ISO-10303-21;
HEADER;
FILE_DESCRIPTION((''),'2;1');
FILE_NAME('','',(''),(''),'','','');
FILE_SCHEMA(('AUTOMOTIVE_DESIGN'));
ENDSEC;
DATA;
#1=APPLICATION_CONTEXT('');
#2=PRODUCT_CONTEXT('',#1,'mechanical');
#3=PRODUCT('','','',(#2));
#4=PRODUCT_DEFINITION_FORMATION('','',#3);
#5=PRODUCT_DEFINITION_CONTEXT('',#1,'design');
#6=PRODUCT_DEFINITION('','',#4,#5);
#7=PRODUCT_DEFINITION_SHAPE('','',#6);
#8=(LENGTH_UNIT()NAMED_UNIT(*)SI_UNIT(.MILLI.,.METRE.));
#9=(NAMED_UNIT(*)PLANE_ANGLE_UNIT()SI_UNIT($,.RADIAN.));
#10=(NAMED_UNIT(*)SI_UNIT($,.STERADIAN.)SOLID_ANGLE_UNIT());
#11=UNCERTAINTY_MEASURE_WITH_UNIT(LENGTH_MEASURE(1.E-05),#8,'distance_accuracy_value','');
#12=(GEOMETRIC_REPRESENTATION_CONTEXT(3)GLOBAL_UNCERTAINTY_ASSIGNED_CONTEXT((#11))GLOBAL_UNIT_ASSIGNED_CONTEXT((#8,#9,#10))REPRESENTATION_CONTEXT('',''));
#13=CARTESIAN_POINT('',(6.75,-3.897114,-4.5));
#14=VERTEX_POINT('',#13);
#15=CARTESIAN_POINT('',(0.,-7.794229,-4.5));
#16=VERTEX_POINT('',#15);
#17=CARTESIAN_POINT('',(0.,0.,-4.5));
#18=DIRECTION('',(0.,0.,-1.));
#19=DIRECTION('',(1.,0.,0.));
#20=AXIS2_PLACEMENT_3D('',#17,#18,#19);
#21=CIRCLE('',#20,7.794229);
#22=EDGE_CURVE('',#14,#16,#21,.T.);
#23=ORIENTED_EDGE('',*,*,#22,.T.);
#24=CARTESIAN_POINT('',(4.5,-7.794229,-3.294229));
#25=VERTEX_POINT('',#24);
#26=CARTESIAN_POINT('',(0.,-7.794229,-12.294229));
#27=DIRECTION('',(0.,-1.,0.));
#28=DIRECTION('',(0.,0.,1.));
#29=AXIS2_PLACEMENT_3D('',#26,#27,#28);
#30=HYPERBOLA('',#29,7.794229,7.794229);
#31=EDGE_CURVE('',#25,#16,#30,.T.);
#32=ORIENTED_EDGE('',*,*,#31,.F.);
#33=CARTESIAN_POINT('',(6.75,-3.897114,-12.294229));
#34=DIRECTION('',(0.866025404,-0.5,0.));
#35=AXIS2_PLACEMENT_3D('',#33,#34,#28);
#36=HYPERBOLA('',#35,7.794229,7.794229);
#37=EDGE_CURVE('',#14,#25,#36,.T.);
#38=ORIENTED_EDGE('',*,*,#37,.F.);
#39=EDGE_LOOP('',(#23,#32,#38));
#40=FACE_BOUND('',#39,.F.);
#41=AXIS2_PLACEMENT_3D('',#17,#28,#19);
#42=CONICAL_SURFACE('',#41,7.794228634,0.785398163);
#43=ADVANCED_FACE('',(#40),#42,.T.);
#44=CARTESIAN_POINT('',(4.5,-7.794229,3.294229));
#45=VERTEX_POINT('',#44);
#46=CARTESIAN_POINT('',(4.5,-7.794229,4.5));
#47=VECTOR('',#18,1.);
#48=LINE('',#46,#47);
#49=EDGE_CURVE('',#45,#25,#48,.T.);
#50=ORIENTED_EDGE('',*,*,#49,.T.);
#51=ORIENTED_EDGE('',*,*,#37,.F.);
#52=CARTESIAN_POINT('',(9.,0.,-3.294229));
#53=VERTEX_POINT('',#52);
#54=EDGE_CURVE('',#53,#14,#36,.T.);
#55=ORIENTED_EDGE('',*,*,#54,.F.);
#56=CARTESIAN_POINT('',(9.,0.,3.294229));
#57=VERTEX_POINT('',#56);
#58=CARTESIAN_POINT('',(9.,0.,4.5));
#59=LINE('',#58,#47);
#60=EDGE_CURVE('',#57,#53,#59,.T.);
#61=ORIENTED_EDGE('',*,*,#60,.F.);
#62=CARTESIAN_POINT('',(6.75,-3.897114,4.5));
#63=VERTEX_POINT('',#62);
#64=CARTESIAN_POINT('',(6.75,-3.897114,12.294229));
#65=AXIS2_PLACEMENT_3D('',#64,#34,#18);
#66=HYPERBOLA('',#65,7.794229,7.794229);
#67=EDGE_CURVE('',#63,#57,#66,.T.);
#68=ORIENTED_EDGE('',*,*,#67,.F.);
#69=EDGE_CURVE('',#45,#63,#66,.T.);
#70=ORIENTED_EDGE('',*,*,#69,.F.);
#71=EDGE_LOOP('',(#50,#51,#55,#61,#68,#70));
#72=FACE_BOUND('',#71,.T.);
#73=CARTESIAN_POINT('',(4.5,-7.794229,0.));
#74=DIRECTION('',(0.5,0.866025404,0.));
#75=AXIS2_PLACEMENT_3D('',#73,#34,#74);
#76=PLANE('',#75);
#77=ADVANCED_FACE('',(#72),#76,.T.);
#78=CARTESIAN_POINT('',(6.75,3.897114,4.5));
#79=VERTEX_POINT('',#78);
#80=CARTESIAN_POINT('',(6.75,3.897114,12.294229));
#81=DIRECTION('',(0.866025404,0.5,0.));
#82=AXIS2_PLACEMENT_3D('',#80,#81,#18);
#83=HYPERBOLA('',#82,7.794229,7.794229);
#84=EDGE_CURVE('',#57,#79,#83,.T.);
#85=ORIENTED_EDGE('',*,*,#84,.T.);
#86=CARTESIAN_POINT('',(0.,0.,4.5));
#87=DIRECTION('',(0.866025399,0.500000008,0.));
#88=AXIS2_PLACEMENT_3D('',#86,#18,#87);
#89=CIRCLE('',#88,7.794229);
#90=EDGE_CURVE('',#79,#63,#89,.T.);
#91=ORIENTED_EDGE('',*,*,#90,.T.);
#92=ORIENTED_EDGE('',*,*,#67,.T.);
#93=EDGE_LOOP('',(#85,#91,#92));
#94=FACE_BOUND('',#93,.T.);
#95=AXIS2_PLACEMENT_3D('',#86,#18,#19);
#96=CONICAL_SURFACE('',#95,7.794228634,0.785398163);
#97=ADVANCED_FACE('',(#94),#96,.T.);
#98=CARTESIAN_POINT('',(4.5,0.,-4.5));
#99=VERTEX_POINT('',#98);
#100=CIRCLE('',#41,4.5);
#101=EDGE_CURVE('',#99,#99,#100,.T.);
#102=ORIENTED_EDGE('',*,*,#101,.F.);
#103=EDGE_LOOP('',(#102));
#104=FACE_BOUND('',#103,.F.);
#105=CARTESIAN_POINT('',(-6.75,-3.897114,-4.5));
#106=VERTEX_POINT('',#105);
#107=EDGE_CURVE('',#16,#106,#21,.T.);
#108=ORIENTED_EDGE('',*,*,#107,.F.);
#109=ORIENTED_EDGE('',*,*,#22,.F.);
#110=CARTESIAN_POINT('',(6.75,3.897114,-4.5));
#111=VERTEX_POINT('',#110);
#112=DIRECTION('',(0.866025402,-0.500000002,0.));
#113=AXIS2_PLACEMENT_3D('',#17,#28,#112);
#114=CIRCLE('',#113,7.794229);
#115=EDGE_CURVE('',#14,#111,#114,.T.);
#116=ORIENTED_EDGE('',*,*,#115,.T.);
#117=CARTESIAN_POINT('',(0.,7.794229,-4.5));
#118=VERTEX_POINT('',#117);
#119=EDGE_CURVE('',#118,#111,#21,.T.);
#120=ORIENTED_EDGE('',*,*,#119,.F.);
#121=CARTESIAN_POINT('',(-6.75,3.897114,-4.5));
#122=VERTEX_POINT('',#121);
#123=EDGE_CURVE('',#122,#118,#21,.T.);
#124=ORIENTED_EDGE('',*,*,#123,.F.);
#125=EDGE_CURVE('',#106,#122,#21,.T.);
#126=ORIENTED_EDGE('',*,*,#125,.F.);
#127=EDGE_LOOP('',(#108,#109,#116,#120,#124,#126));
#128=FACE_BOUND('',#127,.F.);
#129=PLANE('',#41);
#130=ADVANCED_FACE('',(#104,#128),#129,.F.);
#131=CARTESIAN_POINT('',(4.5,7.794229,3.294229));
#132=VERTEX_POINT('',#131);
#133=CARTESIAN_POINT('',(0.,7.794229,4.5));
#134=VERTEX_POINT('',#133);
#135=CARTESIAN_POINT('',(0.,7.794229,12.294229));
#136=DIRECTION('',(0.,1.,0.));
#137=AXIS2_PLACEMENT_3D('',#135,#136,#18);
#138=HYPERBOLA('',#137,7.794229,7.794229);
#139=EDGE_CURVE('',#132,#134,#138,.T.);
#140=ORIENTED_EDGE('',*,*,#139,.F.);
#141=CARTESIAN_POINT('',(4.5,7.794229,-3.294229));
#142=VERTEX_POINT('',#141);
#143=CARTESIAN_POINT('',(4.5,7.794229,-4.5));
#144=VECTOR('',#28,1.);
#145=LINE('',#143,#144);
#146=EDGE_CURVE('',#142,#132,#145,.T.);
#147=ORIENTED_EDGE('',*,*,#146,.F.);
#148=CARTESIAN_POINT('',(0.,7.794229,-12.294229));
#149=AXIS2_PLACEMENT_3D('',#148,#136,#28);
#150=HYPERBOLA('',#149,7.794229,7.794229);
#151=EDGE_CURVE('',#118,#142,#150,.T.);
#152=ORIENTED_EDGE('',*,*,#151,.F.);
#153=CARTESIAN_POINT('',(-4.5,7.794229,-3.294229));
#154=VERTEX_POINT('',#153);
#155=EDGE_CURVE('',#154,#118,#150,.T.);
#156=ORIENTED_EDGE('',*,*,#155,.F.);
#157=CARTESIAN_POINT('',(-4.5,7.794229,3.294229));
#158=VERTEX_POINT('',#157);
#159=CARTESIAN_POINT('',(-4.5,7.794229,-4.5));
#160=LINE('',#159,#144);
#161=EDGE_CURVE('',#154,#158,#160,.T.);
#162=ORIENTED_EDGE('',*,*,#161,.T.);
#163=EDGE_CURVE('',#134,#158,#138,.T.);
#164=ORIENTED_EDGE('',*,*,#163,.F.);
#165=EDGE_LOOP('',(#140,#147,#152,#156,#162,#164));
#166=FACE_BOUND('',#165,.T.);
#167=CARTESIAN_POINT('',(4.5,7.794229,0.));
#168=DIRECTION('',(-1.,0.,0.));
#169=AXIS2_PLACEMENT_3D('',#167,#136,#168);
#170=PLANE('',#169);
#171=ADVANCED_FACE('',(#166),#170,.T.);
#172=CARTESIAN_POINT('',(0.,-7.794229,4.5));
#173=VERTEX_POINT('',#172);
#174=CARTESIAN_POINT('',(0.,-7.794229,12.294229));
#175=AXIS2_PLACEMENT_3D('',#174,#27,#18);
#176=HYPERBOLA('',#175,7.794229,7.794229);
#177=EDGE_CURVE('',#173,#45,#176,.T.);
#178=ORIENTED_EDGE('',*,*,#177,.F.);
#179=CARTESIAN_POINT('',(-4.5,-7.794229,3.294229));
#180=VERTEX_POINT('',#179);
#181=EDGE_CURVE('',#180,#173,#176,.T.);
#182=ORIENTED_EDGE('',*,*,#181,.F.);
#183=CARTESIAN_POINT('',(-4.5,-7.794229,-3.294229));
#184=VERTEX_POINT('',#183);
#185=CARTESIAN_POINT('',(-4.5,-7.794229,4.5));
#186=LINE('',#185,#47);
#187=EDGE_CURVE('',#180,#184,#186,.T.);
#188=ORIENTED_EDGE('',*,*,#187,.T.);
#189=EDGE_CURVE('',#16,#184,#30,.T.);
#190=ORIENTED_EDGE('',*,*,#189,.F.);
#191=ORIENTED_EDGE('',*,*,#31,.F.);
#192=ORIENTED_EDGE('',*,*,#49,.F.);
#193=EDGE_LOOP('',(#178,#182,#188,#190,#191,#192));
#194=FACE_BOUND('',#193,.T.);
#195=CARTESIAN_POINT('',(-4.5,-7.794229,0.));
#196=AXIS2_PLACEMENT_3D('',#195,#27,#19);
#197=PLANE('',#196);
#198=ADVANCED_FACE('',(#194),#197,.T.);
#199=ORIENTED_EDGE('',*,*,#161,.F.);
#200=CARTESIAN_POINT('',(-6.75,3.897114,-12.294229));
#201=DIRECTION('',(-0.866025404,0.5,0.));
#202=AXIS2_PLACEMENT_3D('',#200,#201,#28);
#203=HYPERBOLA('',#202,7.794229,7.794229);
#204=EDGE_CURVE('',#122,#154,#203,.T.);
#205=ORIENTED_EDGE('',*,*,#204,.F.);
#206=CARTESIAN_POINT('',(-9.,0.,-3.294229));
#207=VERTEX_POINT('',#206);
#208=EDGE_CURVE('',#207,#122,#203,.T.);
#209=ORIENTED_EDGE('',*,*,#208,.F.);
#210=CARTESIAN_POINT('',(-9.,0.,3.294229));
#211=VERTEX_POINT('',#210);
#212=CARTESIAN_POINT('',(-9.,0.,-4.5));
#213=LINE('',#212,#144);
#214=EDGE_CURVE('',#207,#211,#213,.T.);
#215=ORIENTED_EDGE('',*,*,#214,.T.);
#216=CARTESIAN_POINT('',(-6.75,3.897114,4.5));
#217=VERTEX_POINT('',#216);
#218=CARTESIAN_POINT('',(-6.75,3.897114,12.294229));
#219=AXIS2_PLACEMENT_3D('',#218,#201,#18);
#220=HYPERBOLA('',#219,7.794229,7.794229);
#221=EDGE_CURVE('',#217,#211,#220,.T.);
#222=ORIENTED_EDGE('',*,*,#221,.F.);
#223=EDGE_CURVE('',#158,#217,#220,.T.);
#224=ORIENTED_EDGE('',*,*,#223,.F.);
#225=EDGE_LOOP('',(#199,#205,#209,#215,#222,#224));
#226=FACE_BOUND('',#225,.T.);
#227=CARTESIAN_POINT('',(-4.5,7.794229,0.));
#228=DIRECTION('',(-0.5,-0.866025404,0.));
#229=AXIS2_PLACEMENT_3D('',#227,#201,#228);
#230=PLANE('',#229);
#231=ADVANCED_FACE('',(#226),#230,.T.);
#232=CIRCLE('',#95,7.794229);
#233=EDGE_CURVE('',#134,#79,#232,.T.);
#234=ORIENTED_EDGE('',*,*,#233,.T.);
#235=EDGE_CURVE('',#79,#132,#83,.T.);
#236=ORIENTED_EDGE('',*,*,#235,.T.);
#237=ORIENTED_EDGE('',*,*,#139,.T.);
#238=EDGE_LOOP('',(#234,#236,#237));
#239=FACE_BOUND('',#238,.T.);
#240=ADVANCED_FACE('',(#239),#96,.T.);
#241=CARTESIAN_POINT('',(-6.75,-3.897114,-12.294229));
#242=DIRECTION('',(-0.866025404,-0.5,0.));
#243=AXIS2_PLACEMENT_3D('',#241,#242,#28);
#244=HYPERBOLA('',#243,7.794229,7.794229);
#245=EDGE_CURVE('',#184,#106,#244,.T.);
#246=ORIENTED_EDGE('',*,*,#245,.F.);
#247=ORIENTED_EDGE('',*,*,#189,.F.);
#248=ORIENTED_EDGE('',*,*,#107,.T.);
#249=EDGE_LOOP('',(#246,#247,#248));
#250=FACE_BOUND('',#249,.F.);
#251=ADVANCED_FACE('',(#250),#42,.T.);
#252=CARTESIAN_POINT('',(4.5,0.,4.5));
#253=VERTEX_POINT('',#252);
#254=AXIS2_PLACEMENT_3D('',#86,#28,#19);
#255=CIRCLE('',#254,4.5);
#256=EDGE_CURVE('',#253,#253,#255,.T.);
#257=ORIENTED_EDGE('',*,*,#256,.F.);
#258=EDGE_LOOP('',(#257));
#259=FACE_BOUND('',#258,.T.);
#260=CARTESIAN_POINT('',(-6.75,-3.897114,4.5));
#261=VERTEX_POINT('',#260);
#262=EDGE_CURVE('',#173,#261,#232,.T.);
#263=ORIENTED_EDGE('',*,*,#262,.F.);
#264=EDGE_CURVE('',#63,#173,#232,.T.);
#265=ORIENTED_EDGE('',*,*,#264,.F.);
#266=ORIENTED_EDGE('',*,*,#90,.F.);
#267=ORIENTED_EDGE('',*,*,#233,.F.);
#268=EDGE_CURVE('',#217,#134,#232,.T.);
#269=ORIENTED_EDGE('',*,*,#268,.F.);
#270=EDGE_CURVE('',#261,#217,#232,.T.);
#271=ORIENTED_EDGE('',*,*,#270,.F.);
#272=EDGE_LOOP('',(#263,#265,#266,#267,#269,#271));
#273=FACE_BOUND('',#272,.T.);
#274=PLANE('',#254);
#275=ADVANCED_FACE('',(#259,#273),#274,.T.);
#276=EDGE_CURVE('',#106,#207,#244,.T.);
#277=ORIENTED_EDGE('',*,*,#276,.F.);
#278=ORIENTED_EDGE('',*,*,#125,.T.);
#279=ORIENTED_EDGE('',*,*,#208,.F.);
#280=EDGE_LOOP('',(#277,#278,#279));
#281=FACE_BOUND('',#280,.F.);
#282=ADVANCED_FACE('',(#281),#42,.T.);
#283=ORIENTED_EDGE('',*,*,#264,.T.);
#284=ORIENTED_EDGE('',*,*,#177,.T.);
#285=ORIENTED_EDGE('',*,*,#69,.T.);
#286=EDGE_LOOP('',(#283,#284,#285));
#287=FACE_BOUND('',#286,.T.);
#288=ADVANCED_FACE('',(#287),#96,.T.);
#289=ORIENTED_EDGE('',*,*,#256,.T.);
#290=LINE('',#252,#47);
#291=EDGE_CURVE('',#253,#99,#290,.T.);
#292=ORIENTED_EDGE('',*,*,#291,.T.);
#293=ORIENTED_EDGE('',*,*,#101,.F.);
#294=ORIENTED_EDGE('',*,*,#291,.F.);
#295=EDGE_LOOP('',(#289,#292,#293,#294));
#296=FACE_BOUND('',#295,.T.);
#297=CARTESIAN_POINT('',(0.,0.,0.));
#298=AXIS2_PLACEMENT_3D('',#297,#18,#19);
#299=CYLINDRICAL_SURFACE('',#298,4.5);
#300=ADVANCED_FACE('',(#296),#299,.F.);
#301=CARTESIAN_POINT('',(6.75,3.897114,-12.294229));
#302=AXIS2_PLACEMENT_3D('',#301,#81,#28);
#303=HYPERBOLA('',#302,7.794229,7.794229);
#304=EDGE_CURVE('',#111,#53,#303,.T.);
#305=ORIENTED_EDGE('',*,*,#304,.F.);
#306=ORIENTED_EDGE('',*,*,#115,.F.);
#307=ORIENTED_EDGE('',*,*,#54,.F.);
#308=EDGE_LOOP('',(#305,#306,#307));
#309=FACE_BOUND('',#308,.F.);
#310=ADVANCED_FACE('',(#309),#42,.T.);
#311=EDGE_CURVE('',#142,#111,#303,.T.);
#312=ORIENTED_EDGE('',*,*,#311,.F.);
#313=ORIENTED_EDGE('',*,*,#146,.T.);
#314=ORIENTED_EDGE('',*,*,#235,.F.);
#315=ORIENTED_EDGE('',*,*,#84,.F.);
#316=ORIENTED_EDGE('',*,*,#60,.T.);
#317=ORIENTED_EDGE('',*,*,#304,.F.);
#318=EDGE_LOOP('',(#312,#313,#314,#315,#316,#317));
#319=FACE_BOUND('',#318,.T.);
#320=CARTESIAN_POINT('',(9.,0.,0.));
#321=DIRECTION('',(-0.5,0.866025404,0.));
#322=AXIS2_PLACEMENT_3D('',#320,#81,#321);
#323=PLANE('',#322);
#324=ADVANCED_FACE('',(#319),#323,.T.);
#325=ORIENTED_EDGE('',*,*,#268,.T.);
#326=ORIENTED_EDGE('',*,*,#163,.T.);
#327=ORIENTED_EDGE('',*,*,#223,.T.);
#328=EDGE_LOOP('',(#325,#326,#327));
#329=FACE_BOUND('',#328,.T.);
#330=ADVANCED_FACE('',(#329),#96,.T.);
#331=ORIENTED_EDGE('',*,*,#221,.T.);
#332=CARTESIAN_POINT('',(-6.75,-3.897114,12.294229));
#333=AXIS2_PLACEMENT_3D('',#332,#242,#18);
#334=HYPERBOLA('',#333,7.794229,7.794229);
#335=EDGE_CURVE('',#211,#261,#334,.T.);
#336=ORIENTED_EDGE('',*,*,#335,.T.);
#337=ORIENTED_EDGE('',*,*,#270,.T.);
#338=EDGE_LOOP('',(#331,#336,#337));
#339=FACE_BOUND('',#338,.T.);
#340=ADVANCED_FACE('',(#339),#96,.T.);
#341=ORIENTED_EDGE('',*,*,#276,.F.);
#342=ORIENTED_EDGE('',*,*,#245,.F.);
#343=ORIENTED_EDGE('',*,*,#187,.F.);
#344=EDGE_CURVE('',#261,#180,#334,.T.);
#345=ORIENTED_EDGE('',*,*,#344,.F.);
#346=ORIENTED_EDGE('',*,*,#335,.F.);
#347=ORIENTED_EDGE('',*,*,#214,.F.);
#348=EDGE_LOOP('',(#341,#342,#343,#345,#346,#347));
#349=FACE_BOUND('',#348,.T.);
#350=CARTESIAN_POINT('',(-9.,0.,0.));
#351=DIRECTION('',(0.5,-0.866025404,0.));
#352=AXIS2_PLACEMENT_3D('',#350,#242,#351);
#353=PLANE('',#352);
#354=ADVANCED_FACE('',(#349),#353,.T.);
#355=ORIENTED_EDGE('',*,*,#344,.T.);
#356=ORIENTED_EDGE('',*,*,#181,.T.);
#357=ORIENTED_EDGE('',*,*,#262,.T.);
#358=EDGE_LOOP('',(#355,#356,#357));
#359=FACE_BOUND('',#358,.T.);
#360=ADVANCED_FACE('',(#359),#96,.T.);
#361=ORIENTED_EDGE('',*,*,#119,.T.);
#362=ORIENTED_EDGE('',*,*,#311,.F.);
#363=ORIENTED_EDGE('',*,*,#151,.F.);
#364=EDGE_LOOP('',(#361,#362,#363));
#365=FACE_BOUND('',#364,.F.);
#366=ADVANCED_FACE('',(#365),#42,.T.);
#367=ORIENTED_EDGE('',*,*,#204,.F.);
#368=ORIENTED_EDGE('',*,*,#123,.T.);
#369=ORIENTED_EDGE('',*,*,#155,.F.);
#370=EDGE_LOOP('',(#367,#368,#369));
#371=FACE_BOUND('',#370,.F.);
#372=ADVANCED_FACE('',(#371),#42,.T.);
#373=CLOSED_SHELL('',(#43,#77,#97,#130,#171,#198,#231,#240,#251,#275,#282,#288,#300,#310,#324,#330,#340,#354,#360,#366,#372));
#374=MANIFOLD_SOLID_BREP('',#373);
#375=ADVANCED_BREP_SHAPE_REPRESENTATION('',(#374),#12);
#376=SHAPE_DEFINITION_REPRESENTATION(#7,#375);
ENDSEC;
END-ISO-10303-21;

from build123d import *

# Parameters (mm, degrees)
SKETCH1_R           = 4.5
BOSS_EXTRUDE3_DEPTH = 4.5
SKETCH3_OUTSIDE_W   = 43.092
SKETCH3_OUTSIDE_H   = 40.68
SKETCH3_OUTSIDE_R   = 7.794228634
CUT_EXTRUDE5_DEPTH  = 9
CUT_EXTRUDE5_TAPER  = 45


with BuildPart() as part:
    # Sketch1 → Boss-Extrude3 (new body, symmetric)
    with BuildSketch(Plane.XY):
        Polygon((9, 0), (4.5, 7.794228634), (-4.5, 7.794228634), (-9, 0), (-4.5, -7.794228634), (4.5, -7.794228634), align=None)
        Circle(SKETCH1_R, mode=Mode.SUBTRACT)
    extrude(amount=BOSS_EXTRUDE3_DEPTH, both=True)

    # Sketch3 outside → Cut-Extrude5 (cut)
    with BuildSketch(Plane.XY.offset(4.5)):
        Rectangle(SKETCH3_OUTSIDE_W, SKETCH3_OUTSIDE_H)
        Circle(SKETCH3_OUTSIDE_R, mode=Mode.SUBTRACT)
    cut_extrude5 = extrude(amount=-CUT_EXTRUDE5_DEPTH, taper=CUT_EXTRUDE5_TAPER, mode=Mode.SUBTRACT)

    # Mirror2: Cut-Extrude5 across plane
    add(cut_extrude5.mirror(Plane.XY), mode=Mode.SUBTRACT)


solid = part.part
